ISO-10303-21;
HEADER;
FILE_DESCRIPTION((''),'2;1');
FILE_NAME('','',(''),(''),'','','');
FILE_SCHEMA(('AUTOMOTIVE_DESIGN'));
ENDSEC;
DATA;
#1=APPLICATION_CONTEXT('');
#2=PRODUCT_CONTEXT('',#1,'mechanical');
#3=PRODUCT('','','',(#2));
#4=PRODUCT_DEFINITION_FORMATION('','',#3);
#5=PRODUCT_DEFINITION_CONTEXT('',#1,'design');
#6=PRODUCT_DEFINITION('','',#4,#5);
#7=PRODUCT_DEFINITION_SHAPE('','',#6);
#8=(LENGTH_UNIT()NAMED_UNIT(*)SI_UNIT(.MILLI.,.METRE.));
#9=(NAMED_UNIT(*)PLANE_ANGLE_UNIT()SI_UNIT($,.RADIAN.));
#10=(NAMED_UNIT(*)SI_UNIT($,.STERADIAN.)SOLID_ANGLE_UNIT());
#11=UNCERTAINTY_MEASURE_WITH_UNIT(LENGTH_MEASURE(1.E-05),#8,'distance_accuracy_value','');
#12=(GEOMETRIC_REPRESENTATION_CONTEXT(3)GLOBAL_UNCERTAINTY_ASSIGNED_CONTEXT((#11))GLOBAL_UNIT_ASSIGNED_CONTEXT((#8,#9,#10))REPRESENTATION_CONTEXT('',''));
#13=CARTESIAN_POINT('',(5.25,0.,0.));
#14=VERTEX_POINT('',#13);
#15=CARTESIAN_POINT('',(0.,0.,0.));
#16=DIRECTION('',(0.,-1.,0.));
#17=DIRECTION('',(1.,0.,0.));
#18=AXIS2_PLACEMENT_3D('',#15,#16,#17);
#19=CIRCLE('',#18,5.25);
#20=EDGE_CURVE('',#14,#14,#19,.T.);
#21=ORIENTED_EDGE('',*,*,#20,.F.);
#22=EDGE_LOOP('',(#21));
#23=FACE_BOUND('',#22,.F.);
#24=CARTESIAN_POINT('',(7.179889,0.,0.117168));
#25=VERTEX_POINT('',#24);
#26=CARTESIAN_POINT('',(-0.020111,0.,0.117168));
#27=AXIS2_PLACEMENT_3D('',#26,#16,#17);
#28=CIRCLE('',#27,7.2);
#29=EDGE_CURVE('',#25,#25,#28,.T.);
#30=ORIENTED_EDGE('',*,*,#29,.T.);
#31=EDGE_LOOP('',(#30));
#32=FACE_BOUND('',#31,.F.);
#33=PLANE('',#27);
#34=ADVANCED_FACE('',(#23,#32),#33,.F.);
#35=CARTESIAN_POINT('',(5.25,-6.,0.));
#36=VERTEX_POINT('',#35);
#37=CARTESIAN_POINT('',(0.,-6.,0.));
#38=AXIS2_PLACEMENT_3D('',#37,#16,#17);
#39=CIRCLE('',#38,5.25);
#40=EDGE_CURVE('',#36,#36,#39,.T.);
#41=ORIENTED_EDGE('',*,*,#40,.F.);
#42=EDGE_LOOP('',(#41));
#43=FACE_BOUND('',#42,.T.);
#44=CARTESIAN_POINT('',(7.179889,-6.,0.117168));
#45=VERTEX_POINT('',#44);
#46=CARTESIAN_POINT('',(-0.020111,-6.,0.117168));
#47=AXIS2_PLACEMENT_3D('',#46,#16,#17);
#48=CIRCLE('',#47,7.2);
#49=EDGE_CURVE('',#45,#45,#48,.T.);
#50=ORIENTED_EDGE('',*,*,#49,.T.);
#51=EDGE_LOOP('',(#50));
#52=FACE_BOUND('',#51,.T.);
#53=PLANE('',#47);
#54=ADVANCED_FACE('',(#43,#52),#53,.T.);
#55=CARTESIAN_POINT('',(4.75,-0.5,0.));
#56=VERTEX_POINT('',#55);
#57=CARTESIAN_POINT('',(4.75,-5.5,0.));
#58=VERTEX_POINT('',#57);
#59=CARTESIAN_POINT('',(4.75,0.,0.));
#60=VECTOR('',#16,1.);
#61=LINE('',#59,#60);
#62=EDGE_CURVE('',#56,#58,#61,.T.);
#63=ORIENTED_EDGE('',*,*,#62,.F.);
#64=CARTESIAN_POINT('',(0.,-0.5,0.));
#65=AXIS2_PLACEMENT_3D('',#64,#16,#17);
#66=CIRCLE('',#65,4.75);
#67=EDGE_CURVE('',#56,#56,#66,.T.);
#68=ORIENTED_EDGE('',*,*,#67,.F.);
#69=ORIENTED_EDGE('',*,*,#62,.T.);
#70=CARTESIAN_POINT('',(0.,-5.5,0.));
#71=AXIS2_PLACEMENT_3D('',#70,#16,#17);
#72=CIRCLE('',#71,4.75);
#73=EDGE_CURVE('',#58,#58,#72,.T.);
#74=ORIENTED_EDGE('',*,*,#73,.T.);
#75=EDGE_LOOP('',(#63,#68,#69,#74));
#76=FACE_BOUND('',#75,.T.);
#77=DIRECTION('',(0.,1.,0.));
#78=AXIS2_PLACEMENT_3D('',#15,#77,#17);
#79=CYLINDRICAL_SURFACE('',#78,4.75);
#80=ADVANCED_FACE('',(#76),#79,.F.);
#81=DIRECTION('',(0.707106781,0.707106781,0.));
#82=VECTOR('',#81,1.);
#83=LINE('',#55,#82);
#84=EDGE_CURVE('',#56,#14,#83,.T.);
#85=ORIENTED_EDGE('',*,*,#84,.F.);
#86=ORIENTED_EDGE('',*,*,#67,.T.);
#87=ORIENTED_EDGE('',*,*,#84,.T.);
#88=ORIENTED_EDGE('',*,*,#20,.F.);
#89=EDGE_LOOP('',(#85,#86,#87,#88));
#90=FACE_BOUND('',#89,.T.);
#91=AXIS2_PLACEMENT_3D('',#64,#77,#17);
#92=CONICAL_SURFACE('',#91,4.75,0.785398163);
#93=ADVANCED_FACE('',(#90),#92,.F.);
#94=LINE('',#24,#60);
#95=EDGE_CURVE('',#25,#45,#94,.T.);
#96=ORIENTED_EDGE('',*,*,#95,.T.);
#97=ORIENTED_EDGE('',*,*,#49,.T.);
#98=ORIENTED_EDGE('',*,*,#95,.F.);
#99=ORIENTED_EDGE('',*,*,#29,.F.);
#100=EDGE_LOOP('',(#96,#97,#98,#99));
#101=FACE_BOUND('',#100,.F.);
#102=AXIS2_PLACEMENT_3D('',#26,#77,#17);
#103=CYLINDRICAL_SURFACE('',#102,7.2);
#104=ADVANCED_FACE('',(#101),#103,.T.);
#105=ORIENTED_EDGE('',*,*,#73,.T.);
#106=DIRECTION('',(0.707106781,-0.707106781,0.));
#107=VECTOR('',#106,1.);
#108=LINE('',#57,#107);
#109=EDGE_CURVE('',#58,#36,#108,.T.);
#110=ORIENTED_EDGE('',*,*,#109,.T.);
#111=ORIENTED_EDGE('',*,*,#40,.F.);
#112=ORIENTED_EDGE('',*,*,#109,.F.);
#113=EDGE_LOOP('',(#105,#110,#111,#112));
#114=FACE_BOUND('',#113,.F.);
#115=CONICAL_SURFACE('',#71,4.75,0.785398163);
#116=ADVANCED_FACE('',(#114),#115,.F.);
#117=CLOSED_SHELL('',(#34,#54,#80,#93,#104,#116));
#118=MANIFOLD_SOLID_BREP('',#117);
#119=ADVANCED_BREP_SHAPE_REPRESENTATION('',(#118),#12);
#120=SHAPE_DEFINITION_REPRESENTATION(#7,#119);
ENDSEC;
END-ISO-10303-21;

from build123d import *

# Parameters (mm, degrees)
F0_R      = 7.2
F0_R_2    = 4.75
F0_R_3    = 4.5
F1_DEPTH  = 6
F1_FACE_R = 4.5
F2_DEPTH  = 6.001
F3_SIZE2  = 0.5
F3_SIZE   = 0.5


with BuildPart() as f1:
    # F0 (on Front) → F1 (new body)
    with BuildSketch(Plane.XZ):
        with Locations((-0.020111, 0.117168)):
            Circle(F0_R)
        Circle(F0_R_2, mode=Mode.SUBTRACT)
        Circle(F0_R_3)
    extrude(amount=F1_DEPTH)

    # F1_face (on face) → F2 (cut, through all)
    with BuildSketch(Plane.XZ.offset(6)):
        Circle(F1_FACE_R)
    extrude(amount=-F2_DEPTH, mode=Mode.SUBTRACT)

    # F3
    f3_edges = [f1.edges().sort_by_distance(p)[0] for p in [
        (4.75, -3, 0),
        (-4.75, 0, 0),
        (-4.75, -6, 0),
    ]]
    chamfer(f3_edges, length=F3_SIZE, length2=F3_SIZE2)


solid = f1.part
